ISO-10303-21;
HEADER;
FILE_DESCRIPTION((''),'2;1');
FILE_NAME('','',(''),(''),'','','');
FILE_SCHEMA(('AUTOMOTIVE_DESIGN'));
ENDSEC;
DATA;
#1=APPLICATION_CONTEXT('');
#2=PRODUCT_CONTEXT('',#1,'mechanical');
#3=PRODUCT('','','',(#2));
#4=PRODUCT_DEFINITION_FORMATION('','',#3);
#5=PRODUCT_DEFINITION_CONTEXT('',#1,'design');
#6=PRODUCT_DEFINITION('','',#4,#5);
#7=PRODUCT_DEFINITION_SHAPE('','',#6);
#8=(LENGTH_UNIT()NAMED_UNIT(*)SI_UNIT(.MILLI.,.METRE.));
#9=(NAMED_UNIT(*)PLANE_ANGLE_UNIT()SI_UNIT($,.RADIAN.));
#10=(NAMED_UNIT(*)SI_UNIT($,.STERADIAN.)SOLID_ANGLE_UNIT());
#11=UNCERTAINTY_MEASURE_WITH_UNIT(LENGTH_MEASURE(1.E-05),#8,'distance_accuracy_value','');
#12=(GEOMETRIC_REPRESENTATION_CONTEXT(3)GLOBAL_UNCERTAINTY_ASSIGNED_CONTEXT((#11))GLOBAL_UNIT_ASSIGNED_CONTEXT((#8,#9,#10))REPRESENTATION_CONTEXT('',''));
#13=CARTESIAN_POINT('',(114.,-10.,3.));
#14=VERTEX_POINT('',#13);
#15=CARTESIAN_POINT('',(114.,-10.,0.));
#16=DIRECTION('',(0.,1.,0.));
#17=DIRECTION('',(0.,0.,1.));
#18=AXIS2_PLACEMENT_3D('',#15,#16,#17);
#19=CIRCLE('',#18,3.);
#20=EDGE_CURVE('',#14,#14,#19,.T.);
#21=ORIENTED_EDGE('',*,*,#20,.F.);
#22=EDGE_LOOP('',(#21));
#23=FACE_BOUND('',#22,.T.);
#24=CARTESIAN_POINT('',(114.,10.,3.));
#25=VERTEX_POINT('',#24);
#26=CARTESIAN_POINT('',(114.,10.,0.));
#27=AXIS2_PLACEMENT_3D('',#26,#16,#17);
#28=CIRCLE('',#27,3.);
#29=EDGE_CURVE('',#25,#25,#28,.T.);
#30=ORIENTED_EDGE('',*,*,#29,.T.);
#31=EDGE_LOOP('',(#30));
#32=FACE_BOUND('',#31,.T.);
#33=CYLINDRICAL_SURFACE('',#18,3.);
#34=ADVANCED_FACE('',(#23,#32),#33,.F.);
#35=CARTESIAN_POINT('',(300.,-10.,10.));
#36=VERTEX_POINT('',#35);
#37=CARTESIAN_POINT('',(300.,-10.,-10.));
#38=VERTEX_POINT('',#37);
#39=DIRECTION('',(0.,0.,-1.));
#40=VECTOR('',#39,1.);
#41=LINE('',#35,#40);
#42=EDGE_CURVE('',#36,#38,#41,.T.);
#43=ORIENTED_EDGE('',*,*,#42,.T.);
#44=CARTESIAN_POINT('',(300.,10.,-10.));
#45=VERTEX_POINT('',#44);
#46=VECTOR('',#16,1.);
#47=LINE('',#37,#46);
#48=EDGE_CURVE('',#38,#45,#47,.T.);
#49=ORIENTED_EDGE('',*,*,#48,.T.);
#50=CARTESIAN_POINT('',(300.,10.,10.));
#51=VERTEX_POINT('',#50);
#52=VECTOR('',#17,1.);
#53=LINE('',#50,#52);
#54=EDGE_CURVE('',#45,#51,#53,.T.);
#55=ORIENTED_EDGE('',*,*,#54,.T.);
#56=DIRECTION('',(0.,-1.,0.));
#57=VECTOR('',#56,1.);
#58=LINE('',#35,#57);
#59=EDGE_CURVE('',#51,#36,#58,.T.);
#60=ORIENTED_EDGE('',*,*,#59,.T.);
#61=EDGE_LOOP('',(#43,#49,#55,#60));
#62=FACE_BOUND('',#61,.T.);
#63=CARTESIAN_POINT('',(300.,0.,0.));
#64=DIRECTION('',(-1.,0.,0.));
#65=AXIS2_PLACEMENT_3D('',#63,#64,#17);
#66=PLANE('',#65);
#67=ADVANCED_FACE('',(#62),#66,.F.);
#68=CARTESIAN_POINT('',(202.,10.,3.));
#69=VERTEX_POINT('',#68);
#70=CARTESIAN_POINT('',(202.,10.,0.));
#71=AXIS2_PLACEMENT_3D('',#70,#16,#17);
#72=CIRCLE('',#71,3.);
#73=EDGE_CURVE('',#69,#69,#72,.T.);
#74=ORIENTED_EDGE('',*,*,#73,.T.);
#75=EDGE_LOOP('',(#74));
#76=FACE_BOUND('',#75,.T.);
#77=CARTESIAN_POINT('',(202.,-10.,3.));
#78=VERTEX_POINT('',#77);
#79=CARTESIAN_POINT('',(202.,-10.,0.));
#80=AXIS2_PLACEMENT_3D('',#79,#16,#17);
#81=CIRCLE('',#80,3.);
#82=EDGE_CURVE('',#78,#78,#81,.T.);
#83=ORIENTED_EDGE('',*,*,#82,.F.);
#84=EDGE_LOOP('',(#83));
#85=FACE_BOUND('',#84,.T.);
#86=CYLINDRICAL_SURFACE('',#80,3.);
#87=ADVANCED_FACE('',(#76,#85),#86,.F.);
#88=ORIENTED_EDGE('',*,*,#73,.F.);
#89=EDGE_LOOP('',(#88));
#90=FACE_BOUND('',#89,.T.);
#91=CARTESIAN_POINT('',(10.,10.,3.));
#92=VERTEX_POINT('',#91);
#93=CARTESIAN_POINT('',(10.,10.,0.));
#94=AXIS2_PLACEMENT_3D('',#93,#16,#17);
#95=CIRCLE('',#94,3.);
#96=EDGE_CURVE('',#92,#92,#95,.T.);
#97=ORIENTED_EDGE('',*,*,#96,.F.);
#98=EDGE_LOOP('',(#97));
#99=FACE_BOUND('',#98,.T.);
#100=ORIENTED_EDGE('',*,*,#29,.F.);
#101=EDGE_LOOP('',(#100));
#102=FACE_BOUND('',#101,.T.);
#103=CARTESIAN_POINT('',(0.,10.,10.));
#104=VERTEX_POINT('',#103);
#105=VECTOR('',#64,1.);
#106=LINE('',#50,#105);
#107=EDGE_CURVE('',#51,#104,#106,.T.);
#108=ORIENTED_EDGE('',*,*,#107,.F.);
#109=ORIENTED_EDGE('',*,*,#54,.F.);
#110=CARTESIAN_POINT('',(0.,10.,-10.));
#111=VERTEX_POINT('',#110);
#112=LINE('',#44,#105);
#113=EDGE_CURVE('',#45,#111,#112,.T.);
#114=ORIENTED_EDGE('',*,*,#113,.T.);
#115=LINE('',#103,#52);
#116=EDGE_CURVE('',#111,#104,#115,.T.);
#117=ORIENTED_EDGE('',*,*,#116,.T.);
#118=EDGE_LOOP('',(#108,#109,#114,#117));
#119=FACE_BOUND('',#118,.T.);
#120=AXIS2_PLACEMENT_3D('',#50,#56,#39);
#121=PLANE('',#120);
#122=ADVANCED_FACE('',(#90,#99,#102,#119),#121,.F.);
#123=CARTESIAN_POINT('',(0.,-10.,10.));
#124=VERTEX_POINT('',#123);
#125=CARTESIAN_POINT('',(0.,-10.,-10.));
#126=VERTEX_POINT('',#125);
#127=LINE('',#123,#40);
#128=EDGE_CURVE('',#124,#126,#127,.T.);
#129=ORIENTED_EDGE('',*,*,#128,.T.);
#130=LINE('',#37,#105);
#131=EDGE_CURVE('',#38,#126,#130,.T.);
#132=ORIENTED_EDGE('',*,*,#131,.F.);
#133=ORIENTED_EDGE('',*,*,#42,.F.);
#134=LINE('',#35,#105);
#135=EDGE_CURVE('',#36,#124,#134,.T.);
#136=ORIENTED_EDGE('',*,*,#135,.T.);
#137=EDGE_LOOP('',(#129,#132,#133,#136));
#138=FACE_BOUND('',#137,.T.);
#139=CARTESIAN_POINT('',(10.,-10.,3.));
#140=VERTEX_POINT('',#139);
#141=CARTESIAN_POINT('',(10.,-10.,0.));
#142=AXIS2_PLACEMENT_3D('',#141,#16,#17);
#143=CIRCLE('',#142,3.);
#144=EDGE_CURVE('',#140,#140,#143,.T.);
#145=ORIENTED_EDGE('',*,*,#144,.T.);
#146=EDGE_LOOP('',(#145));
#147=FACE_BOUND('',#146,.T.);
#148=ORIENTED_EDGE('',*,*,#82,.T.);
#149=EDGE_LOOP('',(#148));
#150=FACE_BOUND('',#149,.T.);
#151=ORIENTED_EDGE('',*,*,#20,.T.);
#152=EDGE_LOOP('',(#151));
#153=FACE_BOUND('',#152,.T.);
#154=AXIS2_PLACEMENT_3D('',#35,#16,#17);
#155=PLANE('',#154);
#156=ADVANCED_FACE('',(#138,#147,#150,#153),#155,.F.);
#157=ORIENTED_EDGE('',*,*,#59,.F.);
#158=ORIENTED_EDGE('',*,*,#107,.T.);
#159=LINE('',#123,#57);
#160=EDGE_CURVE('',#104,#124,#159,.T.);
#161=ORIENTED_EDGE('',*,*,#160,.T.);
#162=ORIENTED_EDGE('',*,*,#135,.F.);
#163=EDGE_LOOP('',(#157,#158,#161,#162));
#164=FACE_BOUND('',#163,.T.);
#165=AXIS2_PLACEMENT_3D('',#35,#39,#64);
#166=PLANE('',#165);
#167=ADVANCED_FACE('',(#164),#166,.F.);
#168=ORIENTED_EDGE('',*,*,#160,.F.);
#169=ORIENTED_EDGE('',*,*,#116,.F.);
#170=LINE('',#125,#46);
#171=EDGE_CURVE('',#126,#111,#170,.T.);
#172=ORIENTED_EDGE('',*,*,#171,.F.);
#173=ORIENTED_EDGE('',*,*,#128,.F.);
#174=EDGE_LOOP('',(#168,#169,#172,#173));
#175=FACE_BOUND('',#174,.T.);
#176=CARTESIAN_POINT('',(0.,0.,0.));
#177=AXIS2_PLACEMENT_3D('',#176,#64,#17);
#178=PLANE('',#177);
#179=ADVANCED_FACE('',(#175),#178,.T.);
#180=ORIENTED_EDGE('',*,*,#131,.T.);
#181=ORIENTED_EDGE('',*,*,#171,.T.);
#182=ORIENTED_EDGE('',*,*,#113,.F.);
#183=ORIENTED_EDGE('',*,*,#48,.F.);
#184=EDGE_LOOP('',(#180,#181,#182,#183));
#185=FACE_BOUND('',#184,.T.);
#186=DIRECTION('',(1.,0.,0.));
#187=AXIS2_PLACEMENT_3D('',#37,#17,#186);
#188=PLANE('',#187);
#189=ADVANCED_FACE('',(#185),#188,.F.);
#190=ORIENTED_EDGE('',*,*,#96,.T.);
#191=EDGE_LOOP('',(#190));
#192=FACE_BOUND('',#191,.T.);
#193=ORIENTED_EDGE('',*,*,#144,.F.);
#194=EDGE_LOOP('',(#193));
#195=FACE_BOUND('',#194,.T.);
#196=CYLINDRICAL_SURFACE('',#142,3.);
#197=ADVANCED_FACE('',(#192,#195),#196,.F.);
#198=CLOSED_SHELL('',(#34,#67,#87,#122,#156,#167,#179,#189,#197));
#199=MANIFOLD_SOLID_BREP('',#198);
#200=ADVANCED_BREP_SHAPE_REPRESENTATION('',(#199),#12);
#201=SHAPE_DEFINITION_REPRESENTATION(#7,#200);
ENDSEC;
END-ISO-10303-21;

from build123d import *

# Parameters (mm, degrees)
SKIZZE1_W                       = 20
SKIZZE1_H                       = 20
AUFSATZ_LINEAR_AUSTRAGEN1_DEPTH = 300
SKIZZE2_R                       = 3
SCHNITT_LINEAR_AUSTRAGEN1_DEPTH = 301.83217913


with BuildPart() as part:
    # Skizze1 → Aufsatz-Linear austragen1 (new body)
    with BuildSketch(Plane(origin=(0, 0, 0), x_dir=(0, 0, -1), z_dir=(1, 0, 0))):
        Rectangle(SKIZZE1_W, SKIZZE1_H)
    extrude(amount=AUFSATZ_LINEAR_AUSTRAGEN1_DEPTH)

    # Skizze2 → Schnitt-Linear austragen1 (cut, through all)
    with BuildSketch(Plane(origin=(0, 10, 0), x_dir=(1, 0, 0), z_dir=(0, 1, 0))):
        with Locations(Location((10, 0, 0), (0, 0, 270))):
            Circle(SKIZZE2_R)
        with Locations(Location((114, 0, 0), (0, 0, 270))):
            Circle(SKIZZE2_R)
        with Locations(Location((202, 0, 0), (0, 0, 270))):
            Circle(SKIZZE2_R)
    extrude(amount=-SCHNITT_LINEAR_AUSTRAGEN1_DEPTH, mode=Mode.SUBTRACT)


solid = part.part
